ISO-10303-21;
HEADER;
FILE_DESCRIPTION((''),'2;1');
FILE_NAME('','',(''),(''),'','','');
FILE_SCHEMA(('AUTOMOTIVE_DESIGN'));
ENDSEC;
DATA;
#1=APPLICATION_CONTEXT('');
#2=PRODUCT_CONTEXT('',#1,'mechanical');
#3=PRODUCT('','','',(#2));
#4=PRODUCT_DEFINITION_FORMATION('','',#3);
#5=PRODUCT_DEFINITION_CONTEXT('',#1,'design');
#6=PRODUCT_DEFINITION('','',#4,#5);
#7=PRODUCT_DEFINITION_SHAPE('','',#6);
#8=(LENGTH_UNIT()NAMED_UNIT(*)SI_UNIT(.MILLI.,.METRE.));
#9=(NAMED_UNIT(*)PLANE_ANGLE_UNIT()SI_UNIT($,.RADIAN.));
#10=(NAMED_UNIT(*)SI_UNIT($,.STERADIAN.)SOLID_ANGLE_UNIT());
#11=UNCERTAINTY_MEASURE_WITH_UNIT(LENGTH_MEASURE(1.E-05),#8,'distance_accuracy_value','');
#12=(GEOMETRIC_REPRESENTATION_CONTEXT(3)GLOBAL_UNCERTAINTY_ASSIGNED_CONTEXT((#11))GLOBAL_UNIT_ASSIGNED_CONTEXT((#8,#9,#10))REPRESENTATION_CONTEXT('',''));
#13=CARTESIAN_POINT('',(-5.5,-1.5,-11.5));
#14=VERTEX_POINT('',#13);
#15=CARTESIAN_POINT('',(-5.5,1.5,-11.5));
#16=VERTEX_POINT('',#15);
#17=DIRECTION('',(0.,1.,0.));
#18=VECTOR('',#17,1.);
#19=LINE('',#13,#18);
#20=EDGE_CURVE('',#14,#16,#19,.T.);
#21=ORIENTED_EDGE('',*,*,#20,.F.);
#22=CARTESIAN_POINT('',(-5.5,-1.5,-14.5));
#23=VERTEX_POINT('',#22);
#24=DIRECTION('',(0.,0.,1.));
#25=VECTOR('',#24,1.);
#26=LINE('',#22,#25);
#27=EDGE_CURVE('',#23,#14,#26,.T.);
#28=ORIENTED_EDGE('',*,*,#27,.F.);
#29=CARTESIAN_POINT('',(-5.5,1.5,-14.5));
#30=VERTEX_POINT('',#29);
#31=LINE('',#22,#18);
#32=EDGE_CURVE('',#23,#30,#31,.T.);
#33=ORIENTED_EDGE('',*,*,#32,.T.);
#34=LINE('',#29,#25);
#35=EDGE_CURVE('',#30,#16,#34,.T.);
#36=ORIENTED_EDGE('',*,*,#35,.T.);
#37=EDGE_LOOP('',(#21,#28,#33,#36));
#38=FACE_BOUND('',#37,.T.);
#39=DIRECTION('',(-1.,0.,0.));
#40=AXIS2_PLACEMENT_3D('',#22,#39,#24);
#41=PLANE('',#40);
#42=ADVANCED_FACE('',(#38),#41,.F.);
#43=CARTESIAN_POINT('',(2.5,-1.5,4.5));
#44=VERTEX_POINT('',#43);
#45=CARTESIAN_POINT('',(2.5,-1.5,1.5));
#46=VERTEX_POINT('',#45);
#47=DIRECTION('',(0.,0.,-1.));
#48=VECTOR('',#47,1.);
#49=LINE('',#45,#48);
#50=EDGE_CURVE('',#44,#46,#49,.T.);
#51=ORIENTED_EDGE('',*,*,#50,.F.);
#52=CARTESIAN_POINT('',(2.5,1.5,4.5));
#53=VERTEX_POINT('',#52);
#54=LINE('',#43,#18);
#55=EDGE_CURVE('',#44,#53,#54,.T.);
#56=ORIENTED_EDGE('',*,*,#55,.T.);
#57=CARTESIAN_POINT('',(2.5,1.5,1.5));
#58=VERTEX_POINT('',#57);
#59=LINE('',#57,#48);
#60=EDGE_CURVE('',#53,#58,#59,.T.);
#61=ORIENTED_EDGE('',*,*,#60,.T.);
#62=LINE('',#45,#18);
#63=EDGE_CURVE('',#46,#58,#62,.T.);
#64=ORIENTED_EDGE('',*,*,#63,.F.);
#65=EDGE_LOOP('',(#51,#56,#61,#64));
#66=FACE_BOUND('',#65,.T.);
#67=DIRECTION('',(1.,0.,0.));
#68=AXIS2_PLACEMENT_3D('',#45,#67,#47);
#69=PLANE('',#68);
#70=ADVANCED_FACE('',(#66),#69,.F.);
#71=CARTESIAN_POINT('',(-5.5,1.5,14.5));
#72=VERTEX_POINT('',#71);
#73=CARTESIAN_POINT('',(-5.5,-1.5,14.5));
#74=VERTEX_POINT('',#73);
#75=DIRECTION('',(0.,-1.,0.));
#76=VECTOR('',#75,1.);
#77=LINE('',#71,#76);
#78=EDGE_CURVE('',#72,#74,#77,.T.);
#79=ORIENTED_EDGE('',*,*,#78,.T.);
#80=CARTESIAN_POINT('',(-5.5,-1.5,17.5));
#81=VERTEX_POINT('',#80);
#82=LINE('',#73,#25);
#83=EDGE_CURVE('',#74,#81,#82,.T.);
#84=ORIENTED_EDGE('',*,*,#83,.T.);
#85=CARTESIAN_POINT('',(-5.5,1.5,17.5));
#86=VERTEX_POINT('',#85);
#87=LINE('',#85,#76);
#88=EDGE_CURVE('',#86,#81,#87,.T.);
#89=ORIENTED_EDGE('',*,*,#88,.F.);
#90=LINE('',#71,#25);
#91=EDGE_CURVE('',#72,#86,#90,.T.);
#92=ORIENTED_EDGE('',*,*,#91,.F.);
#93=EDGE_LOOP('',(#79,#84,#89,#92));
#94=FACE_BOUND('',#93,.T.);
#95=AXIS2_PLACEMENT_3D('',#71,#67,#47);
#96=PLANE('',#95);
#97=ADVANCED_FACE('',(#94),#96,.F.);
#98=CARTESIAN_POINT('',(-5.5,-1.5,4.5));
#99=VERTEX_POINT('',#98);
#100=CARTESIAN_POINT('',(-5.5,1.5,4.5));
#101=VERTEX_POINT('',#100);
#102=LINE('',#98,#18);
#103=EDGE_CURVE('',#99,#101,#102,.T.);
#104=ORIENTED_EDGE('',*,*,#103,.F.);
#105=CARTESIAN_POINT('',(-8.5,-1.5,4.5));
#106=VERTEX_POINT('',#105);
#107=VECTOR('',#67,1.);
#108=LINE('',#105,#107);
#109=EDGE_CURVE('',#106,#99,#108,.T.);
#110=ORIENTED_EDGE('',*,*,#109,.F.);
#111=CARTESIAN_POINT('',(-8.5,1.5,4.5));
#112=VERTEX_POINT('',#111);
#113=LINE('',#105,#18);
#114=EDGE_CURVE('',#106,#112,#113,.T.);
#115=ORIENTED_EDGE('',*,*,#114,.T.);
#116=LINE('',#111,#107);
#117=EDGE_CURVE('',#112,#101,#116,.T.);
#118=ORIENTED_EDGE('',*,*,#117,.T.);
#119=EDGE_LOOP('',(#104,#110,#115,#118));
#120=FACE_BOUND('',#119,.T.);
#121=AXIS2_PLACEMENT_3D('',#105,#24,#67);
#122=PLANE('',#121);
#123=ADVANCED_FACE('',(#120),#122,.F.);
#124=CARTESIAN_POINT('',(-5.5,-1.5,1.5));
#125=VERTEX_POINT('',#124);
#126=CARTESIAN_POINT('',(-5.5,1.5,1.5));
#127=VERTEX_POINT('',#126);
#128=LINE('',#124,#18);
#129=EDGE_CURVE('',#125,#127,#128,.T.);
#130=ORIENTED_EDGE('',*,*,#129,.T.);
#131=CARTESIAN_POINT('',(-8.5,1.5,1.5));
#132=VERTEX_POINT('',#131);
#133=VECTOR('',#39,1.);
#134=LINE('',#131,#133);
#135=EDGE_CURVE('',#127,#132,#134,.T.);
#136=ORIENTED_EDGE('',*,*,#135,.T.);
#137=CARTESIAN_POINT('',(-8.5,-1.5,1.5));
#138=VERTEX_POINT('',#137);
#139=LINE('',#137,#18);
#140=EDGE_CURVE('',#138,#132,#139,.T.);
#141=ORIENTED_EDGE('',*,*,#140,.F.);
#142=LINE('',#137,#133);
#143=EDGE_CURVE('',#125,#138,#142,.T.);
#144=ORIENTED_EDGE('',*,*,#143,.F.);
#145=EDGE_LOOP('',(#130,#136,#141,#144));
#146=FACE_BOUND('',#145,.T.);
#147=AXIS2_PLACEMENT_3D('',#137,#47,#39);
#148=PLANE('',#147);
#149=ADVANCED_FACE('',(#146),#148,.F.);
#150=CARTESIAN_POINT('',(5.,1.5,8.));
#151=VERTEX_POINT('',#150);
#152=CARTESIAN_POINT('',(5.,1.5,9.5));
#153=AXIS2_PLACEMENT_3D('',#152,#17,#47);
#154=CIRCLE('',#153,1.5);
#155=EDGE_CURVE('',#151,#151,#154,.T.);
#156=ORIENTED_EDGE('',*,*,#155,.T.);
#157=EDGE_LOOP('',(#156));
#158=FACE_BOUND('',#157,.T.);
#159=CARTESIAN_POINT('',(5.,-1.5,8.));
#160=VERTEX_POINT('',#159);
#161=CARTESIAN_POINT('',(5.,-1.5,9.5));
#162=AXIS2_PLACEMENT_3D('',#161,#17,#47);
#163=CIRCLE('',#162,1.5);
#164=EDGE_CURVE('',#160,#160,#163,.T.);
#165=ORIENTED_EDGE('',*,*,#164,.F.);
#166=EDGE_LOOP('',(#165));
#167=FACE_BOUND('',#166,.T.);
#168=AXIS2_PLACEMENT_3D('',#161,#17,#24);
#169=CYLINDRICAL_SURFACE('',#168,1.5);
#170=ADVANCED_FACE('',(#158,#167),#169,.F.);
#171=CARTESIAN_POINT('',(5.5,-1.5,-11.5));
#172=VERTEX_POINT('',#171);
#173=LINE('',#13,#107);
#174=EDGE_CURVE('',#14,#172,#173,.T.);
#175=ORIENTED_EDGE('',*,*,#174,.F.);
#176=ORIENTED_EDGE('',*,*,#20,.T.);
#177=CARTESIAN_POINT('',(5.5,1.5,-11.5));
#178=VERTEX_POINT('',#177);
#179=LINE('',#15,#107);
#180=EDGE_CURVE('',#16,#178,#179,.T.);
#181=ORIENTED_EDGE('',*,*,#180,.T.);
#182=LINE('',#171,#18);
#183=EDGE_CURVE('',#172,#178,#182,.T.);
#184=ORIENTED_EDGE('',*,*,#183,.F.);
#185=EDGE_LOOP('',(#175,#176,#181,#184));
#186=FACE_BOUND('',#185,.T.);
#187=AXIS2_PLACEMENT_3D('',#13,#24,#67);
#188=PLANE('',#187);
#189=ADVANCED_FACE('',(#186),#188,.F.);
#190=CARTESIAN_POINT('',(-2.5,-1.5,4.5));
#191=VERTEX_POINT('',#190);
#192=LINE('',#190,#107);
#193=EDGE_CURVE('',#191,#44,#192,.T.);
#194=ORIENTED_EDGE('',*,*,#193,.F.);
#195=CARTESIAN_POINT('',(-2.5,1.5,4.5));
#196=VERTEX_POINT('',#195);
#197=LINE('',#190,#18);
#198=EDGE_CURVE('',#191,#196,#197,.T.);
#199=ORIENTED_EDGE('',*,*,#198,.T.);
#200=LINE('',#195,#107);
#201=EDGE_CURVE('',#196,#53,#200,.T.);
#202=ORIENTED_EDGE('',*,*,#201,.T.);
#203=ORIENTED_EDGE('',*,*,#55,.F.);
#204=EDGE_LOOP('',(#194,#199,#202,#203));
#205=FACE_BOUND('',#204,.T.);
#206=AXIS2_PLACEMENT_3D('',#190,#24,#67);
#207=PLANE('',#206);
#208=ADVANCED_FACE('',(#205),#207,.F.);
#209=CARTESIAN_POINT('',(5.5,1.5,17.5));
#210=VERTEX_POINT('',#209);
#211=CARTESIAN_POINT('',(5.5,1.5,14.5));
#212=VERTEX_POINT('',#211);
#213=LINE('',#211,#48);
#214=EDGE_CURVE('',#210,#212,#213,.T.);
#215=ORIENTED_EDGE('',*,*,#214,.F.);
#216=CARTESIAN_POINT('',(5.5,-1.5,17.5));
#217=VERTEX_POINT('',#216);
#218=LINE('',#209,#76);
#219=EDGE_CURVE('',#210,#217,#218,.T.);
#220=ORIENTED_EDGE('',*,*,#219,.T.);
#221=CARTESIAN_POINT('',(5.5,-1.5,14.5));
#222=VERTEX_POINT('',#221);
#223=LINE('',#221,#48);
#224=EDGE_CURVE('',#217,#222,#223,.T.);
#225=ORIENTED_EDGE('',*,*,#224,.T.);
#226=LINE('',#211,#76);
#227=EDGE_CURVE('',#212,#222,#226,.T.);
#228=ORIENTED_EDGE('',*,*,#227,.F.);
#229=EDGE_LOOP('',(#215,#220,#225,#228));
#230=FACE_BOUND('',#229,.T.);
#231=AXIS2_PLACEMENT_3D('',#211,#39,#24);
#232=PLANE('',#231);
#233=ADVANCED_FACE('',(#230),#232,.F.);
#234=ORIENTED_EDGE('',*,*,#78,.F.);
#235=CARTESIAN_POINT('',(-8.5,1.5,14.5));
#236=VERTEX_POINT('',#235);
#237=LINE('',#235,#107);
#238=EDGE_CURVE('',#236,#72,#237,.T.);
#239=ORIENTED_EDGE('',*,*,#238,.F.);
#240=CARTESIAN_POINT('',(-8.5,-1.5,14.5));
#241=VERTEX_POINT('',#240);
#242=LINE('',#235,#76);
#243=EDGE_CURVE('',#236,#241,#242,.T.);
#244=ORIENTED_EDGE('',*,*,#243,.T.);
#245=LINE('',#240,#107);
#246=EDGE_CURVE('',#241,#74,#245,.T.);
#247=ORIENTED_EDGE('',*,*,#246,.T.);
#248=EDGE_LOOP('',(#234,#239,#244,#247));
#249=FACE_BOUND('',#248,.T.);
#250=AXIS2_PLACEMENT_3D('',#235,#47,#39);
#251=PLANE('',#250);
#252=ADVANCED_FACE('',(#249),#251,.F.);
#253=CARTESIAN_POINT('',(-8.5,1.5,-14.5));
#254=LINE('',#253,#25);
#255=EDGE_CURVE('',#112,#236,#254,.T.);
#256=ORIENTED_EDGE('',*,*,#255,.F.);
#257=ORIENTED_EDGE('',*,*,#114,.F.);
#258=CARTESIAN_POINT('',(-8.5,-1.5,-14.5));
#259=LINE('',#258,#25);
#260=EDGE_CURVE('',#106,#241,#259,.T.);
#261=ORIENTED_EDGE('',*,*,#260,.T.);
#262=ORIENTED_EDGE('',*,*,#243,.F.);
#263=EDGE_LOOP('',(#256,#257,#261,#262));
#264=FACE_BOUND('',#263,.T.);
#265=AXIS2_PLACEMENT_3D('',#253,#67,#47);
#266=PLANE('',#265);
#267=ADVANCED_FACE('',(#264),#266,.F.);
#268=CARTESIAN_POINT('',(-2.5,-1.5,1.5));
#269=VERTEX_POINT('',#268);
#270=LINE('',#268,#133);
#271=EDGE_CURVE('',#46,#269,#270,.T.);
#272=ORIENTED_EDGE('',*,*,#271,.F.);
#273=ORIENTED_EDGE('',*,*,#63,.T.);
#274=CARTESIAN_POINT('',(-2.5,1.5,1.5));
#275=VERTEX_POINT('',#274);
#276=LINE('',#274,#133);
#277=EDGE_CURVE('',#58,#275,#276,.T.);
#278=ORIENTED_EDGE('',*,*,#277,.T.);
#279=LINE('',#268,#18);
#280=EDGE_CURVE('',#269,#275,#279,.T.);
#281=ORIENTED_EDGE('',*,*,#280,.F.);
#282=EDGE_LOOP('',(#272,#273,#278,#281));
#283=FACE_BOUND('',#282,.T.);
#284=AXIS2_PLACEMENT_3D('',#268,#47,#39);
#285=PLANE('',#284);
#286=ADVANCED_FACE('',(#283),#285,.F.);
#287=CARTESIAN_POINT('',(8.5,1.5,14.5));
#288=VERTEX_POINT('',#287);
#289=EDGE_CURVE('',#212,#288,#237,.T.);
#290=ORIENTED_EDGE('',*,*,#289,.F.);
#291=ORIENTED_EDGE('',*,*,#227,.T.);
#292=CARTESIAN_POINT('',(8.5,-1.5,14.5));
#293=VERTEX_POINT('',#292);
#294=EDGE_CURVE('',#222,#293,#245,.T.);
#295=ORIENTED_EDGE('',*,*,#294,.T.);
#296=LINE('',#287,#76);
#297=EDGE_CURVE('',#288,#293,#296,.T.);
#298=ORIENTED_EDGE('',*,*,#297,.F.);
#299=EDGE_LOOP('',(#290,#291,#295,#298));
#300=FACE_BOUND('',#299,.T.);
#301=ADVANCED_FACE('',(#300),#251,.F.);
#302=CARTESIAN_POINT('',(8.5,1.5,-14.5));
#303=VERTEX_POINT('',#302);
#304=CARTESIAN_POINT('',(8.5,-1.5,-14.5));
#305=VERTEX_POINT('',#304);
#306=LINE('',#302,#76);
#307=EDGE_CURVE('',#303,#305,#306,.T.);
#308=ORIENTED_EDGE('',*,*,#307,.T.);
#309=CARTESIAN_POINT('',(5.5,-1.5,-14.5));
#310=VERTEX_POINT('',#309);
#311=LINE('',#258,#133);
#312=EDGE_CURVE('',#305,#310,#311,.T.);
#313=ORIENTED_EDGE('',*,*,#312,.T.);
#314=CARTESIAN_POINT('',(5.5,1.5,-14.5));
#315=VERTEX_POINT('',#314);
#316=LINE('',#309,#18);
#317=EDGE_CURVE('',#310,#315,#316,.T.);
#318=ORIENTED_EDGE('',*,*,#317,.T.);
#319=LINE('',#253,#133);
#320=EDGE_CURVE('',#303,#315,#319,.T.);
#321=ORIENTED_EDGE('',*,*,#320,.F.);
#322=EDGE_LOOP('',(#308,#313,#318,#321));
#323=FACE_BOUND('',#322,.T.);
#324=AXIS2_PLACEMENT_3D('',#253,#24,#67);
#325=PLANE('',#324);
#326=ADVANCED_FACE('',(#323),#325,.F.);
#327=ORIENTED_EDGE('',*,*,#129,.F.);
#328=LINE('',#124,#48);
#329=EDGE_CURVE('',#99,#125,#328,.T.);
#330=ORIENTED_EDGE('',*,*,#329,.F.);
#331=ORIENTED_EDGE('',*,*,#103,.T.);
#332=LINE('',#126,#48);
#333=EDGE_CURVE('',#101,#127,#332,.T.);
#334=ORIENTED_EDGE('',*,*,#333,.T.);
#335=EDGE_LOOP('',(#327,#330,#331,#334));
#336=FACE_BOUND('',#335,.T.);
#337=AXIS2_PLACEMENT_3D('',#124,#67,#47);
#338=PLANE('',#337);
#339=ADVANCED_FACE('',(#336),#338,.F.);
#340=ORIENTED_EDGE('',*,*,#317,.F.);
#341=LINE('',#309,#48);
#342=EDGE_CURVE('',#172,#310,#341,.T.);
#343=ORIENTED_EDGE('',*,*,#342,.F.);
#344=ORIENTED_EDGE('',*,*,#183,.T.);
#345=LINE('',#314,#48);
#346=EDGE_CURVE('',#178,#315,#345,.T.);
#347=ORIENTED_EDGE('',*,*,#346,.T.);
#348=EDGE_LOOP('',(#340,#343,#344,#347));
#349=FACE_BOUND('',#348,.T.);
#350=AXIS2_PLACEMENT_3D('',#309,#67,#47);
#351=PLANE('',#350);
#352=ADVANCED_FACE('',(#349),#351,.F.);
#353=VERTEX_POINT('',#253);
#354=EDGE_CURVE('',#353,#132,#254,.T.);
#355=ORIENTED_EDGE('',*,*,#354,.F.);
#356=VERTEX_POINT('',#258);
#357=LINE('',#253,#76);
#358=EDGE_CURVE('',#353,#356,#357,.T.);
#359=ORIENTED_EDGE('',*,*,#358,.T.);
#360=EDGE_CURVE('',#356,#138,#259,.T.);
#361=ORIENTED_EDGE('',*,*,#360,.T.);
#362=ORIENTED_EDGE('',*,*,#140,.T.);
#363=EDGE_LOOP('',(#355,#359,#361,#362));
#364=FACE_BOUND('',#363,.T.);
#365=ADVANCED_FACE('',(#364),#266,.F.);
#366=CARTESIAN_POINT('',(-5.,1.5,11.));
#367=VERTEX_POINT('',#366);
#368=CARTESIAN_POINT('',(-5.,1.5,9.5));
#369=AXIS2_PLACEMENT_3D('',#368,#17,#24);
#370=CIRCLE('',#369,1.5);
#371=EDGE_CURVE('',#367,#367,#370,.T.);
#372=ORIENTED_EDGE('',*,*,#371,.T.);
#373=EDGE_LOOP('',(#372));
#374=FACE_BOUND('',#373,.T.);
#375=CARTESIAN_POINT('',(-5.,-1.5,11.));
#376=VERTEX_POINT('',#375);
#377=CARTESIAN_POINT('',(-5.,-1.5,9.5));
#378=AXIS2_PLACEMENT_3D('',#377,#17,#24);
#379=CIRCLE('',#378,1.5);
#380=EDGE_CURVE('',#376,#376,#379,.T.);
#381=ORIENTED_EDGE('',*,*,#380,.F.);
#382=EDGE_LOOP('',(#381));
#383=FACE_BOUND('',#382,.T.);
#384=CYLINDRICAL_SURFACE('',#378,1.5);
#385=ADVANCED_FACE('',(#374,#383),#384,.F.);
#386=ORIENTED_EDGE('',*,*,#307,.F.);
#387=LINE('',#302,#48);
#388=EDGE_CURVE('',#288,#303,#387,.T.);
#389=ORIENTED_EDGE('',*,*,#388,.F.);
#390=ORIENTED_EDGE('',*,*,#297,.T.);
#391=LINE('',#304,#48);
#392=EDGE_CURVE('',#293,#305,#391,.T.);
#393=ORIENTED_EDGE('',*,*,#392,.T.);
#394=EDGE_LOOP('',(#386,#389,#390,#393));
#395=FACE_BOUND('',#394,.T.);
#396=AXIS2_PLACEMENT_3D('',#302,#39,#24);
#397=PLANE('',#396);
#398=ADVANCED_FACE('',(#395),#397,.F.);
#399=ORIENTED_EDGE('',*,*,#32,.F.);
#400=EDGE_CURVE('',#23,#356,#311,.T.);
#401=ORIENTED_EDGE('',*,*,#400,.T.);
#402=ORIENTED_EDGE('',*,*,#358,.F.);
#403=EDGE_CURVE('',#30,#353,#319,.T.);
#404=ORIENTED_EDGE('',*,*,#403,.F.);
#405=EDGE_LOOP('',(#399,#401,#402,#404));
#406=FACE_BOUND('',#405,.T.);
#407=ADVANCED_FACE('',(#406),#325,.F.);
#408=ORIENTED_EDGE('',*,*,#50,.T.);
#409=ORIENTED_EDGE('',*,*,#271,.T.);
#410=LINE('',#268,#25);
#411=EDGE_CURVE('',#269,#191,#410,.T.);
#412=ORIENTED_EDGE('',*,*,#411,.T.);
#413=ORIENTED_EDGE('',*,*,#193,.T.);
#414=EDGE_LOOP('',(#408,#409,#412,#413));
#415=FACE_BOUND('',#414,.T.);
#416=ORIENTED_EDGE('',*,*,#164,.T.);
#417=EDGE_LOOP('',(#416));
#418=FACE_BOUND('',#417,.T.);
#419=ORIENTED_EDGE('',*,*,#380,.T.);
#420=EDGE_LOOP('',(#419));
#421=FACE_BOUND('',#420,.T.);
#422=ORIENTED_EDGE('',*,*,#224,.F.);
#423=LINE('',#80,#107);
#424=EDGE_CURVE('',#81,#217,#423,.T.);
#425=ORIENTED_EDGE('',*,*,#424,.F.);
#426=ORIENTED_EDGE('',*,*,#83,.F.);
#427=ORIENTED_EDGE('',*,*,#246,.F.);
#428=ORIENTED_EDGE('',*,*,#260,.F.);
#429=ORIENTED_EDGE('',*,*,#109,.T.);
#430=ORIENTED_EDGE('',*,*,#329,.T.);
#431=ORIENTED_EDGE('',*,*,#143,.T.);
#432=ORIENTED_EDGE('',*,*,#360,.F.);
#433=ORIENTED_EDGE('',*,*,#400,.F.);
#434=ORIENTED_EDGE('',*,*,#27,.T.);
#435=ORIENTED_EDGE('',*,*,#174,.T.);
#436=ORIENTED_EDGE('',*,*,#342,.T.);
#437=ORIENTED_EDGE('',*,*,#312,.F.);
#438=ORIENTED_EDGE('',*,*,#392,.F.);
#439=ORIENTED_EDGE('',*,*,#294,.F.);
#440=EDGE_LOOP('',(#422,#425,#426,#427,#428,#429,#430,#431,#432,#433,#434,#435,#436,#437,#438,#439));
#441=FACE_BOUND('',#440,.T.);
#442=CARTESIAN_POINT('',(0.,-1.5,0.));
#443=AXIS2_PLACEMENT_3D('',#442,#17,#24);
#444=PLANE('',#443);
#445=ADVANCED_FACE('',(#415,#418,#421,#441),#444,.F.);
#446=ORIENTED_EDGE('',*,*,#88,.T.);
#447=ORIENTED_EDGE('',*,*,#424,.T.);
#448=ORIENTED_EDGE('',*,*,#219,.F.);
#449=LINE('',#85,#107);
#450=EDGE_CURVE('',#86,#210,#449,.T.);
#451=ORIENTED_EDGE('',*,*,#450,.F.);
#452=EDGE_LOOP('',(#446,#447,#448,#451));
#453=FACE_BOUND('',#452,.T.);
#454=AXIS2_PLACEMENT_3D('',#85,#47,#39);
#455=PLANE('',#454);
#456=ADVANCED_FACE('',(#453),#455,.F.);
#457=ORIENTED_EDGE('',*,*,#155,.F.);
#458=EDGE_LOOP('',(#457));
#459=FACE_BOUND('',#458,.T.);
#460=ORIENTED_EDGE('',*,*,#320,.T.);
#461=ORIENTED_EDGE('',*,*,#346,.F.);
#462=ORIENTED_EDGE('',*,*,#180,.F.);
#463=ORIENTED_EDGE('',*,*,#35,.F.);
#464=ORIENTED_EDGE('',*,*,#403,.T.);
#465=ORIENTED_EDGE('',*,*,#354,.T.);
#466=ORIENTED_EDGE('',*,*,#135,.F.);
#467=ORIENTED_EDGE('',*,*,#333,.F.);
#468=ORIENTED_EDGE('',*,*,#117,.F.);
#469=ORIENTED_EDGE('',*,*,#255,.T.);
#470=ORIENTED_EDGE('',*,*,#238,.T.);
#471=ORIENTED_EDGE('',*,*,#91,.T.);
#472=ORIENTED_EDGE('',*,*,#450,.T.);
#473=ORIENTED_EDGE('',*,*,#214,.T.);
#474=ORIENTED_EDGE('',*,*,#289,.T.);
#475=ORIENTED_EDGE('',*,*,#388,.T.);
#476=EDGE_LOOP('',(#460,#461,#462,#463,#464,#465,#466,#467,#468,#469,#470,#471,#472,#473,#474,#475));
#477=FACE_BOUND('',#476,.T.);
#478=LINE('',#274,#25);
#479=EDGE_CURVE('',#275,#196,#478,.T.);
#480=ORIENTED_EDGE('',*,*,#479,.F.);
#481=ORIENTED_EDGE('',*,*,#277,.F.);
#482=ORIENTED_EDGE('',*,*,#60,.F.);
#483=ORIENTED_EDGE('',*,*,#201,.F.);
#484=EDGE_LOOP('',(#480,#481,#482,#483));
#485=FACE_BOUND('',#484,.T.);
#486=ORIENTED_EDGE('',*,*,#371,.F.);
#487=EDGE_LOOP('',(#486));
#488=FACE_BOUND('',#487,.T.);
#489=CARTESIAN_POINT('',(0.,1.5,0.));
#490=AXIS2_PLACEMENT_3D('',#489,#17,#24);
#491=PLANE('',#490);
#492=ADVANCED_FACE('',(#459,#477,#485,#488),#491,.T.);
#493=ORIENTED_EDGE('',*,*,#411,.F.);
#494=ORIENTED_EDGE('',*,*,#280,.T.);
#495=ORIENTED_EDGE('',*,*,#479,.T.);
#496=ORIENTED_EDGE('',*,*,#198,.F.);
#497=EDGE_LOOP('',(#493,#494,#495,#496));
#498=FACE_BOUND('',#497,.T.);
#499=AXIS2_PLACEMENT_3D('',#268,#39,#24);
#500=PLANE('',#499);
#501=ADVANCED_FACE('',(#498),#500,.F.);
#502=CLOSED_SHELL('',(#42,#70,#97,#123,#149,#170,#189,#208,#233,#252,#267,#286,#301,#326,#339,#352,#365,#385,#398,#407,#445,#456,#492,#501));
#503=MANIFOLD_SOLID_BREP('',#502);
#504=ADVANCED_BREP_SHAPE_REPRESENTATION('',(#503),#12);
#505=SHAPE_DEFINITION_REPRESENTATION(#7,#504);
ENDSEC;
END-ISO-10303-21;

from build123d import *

# Parameters (mm, degrees)
SKETCH1_W               = 17
SKETCH1_H               = 29
BOSS_EXTRUDE1_DEPTH     = 1.5
SKETCH2_W               = 11
SKETCH2_H               = 3
BOSS_EXTRUDE2_DEPTH     = 1.5
SKETCH3_W               = 5
SKETCH3_H               = 3
SKETCH3_W_2             = 11
SKETCH3_W_3             = 3
CUT_EXTRUDE1_DEPTH      = 2.5
CUT_EXTRUDE1_DEPTH_BACK = 2.5
SKETCH5_R               = 1.5
CUT_EXTRUDE3_DEPTH      = 2.5
CUT_EXTRUDE3_DEPTH_BACK = 2.5


with BuildPart() as part:
    # Sketch1 → Boss-Extrude1 (new body, symmetric)
    with BuildSketch(Plane(origin=(0, 0, 0), x_dir=(1, 0, 0), z_dir=(0, 1, 0))):
        Rectangle(SKETCH1_W, SKETCH1_H)
    extrude(amount=BOSS_EXTRUDE1_DEPTH, both=True)

    # Sketch2 → Boss-Extrude2 (add, symmetric)
    with BuildSketch(Plane(origin=(0, 0, 0), x_dir=(1, 0, 0), z_dir=(0, 1, 0))):
        with Locations((0, -16)):
            Rectangle(SKETCH2_W, SKETCH2_H)
    extrude(amount=BOSS_EXTRUDE2_DEPTH, both=True)

    # Sketch3 → Cut-Extrude1 (cut, two sides)
    with BuildSketch(Plane(origin=(0, 0, 0), x_dir=(1, 0, 0), z_dir=(0, 1, 0))) as cut_extrude1_sk:
        with Locations((0, -3)):
            Rectangle(SKETCH3_W, SKETCH3_H)
        with Locations((0, 13)):
            Rectangle(SKETCH3_W_2, SKETCH3_H)
        with Locations((-7, -3)):
            Rectangle(SKETCH3_W_3, SKETCH3_H)
    extrude(amount=CUT_EXTRUDE1_DEPTH, mode=Mode.SUBTRACT)
    extrude(cut_extrude1_sk.sketch, amount=-CUT_EXTRUDE1_DEPTH_BACK, mode=Mode.SUBTRACT)

    # Sketch5 → Cut-Extrude3 (cut, two sides)
    with BuildSketch(Plane(origin=(0, 0, 0), x_dir=(1, 0, 0), z_dir=(0, 1, 0))) as cut_extrude3_sk:
        with Locations((-5, -9.5)):
            Circle(SKETCH5_R)
        with Locations((5, -9.5)):
            Circle(SKETCH5_R)
    extrude(amount=CUT_EXTRUDE3_DEPTH, mode=Mode.SUBTRACT)
    extrude(cut_extrude3_sk.sketch, amount=-CUT_EXTRUDE3_DEPTH_BACK, mode=Mode.SUBTRACT)


solid = part.part
